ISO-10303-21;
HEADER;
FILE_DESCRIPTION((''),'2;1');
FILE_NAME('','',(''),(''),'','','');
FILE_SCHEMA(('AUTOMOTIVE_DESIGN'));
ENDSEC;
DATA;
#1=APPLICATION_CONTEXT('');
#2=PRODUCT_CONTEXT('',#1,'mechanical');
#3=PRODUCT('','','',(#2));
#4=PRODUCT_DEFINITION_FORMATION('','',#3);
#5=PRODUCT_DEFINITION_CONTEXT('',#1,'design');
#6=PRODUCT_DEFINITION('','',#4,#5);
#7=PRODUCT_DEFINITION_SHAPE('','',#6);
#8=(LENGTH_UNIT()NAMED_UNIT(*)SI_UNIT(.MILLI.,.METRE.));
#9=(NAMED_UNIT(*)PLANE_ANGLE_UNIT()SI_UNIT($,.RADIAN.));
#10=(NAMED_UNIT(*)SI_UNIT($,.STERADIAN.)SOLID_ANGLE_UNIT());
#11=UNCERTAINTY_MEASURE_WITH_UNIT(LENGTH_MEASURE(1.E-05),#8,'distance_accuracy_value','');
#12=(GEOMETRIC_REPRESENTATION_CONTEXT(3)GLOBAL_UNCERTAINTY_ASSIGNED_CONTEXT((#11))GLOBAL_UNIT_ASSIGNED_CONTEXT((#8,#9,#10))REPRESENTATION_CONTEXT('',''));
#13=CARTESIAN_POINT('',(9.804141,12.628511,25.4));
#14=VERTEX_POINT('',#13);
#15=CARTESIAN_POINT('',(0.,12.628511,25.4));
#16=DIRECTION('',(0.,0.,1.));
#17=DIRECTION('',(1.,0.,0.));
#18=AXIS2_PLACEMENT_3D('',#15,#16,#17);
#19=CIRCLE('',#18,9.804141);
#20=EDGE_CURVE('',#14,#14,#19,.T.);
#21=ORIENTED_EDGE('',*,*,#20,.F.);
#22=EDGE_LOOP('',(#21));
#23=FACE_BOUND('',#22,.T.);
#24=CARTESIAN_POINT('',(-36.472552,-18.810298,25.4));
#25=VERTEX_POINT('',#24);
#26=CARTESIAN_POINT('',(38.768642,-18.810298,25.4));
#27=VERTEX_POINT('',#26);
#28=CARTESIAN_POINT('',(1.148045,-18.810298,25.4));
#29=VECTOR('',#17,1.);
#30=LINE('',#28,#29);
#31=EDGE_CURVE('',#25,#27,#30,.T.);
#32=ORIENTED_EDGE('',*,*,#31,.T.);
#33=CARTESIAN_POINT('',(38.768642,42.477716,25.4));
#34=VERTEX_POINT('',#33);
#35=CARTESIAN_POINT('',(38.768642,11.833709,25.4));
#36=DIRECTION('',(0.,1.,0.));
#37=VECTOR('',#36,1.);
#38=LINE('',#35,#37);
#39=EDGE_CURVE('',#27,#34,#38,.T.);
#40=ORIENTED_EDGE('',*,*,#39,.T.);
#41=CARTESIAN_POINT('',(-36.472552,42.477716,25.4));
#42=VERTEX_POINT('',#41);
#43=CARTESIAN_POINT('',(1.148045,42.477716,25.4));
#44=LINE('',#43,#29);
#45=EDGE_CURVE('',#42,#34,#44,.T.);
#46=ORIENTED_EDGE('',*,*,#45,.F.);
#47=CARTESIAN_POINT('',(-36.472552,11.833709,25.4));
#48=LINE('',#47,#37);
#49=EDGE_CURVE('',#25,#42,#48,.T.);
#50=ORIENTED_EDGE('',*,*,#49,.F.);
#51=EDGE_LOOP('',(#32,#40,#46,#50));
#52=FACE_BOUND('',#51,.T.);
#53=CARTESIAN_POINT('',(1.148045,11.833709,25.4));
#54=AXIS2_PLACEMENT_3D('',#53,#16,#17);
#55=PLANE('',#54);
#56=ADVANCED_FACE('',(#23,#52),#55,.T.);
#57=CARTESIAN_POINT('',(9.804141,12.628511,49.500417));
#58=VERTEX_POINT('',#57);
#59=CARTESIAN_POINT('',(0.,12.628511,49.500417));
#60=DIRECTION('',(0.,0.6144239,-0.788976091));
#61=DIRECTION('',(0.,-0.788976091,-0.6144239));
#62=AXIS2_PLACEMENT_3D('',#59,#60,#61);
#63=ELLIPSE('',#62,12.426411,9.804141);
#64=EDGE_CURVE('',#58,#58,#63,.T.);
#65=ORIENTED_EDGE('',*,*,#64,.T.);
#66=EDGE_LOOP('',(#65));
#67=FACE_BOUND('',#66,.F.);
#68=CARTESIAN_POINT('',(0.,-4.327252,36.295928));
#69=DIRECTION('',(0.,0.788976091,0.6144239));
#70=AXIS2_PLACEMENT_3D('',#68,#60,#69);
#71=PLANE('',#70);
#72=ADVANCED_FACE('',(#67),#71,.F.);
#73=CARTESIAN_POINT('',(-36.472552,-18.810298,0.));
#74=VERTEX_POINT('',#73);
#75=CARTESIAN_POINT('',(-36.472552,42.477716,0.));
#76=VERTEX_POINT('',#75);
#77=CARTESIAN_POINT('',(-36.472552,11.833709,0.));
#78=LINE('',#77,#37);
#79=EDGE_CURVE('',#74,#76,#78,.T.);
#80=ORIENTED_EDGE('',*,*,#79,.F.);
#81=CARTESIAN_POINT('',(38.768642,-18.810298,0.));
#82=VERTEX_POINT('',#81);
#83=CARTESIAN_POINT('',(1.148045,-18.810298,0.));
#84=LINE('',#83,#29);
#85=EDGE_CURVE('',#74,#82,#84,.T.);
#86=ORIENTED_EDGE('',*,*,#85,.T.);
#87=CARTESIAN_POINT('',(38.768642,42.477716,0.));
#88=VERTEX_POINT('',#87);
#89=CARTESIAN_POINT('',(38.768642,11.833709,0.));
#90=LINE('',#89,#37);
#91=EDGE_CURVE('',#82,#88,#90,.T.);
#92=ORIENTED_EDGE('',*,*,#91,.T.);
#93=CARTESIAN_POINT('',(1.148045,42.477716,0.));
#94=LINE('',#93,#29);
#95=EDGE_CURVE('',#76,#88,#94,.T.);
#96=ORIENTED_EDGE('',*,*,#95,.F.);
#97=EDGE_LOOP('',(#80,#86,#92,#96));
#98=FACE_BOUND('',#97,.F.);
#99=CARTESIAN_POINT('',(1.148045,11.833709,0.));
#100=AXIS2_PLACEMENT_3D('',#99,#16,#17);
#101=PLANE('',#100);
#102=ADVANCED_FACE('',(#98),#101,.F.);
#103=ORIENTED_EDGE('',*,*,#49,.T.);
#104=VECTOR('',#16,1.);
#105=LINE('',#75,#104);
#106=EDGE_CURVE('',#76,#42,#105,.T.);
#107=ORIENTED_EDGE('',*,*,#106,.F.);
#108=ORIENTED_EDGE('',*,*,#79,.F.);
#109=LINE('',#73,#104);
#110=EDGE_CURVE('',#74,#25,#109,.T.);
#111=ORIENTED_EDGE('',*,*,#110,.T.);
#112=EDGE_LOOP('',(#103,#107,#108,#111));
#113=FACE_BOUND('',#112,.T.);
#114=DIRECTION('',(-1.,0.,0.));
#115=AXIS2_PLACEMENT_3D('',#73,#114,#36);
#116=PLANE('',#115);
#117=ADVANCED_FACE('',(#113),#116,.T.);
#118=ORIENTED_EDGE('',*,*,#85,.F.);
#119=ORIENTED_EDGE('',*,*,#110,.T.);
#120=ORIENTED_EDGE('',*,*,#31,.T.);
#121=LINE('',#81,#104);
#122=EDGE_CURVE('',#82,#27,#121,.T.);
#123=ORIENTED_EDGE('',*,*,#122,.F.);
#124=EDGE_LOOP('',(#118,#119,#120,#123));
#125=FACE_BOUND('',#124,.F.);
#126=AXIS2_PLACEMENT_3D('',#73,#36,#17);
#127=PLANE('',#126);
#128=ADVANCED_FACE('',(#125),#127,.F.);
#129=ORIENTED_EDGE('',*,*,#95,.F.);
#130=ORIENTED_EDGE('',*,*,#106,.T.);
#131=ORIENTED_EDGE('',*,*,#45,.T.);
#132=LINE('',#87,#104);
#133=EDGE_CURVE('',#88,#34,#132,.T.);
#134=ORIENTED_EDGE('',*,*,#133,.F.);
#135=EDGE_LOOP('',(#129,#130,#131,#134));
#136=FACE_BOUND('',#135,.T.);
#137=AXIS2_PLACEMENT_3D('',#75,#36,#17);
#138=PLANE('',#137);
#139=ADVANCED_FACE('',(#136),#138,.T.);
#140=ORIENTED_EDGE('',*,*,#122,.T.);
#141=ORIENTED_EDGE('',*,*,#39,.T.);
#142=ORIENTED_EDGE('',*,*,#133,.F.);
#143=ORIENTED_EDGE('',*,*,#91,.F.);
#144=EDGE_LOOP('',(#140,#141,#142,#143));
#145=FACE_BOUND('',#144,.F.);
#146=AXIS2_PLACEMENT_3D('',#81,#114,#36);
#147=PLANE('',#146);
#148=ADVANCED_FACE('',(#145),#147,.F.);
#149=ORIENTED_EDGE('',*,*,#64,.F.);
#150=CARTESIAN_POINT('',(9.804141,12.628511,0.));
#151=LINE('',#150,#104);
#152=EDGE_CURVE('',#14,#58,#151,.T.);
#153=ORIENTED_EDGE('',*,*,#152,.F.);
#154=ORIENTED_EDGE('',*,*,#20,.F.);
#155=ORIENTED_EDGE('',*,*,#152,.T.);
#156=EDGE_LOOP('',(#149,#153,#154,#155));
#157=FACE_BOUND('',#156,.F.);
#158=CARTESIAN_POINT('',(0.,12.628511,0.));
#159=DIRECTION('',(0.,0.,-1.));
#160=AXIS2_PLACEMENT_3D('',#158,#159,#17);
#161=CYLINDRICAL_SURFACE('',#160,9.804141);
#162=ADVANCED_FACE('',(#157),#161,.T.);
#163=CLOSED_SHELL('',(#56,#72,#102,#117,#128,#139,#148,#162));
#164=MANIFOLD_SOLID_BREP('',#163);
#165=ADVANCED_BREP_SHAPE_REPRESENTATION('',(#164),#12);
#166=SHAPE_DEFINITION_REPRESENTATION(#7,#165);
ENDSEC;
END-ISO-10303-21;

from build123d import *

# Parameters (mm, degrees)
F0_W     = 75.241194
F0_H     = 61.288014
F0_R     = 9.804141
F1_DEPTH = 25.4
F2_DEPTH = 57.15
F4_DEPTH = 23.876


with BuildPart() as f1:
    # F0 (on Top) → F1 (new body)
    with BuildSketch(Plane.XY):
        with Locations((1.148045, 11.833709)):
            Rectangle(F0_W, F0_H)
        with Locations((0, 12.628511)):
            Circle(F0_R, mode=Mode.SUBTRACT)
    extrude(amount=F1_DEPTH)

    # F0 (on Top) → F2 (join)
    with BuildSketch(Plane.XY):
        with Locations((0, 12.628511)):
            Circle(F0_R)
    extrude(amount=F2_DEPTH)

    # F3 (on Right) → F4 (cut, symmetric)
    with BuildSketch(Plane.YZ):
        Polygon((-5.740232, 67.381494), (-4.327252, 36.295928), (35.589438, 67.381494), align=None)
    extrude(amount=F4_DEPTH, both=True, mode=Mode.SUBTRACT)


solid = f1.part
